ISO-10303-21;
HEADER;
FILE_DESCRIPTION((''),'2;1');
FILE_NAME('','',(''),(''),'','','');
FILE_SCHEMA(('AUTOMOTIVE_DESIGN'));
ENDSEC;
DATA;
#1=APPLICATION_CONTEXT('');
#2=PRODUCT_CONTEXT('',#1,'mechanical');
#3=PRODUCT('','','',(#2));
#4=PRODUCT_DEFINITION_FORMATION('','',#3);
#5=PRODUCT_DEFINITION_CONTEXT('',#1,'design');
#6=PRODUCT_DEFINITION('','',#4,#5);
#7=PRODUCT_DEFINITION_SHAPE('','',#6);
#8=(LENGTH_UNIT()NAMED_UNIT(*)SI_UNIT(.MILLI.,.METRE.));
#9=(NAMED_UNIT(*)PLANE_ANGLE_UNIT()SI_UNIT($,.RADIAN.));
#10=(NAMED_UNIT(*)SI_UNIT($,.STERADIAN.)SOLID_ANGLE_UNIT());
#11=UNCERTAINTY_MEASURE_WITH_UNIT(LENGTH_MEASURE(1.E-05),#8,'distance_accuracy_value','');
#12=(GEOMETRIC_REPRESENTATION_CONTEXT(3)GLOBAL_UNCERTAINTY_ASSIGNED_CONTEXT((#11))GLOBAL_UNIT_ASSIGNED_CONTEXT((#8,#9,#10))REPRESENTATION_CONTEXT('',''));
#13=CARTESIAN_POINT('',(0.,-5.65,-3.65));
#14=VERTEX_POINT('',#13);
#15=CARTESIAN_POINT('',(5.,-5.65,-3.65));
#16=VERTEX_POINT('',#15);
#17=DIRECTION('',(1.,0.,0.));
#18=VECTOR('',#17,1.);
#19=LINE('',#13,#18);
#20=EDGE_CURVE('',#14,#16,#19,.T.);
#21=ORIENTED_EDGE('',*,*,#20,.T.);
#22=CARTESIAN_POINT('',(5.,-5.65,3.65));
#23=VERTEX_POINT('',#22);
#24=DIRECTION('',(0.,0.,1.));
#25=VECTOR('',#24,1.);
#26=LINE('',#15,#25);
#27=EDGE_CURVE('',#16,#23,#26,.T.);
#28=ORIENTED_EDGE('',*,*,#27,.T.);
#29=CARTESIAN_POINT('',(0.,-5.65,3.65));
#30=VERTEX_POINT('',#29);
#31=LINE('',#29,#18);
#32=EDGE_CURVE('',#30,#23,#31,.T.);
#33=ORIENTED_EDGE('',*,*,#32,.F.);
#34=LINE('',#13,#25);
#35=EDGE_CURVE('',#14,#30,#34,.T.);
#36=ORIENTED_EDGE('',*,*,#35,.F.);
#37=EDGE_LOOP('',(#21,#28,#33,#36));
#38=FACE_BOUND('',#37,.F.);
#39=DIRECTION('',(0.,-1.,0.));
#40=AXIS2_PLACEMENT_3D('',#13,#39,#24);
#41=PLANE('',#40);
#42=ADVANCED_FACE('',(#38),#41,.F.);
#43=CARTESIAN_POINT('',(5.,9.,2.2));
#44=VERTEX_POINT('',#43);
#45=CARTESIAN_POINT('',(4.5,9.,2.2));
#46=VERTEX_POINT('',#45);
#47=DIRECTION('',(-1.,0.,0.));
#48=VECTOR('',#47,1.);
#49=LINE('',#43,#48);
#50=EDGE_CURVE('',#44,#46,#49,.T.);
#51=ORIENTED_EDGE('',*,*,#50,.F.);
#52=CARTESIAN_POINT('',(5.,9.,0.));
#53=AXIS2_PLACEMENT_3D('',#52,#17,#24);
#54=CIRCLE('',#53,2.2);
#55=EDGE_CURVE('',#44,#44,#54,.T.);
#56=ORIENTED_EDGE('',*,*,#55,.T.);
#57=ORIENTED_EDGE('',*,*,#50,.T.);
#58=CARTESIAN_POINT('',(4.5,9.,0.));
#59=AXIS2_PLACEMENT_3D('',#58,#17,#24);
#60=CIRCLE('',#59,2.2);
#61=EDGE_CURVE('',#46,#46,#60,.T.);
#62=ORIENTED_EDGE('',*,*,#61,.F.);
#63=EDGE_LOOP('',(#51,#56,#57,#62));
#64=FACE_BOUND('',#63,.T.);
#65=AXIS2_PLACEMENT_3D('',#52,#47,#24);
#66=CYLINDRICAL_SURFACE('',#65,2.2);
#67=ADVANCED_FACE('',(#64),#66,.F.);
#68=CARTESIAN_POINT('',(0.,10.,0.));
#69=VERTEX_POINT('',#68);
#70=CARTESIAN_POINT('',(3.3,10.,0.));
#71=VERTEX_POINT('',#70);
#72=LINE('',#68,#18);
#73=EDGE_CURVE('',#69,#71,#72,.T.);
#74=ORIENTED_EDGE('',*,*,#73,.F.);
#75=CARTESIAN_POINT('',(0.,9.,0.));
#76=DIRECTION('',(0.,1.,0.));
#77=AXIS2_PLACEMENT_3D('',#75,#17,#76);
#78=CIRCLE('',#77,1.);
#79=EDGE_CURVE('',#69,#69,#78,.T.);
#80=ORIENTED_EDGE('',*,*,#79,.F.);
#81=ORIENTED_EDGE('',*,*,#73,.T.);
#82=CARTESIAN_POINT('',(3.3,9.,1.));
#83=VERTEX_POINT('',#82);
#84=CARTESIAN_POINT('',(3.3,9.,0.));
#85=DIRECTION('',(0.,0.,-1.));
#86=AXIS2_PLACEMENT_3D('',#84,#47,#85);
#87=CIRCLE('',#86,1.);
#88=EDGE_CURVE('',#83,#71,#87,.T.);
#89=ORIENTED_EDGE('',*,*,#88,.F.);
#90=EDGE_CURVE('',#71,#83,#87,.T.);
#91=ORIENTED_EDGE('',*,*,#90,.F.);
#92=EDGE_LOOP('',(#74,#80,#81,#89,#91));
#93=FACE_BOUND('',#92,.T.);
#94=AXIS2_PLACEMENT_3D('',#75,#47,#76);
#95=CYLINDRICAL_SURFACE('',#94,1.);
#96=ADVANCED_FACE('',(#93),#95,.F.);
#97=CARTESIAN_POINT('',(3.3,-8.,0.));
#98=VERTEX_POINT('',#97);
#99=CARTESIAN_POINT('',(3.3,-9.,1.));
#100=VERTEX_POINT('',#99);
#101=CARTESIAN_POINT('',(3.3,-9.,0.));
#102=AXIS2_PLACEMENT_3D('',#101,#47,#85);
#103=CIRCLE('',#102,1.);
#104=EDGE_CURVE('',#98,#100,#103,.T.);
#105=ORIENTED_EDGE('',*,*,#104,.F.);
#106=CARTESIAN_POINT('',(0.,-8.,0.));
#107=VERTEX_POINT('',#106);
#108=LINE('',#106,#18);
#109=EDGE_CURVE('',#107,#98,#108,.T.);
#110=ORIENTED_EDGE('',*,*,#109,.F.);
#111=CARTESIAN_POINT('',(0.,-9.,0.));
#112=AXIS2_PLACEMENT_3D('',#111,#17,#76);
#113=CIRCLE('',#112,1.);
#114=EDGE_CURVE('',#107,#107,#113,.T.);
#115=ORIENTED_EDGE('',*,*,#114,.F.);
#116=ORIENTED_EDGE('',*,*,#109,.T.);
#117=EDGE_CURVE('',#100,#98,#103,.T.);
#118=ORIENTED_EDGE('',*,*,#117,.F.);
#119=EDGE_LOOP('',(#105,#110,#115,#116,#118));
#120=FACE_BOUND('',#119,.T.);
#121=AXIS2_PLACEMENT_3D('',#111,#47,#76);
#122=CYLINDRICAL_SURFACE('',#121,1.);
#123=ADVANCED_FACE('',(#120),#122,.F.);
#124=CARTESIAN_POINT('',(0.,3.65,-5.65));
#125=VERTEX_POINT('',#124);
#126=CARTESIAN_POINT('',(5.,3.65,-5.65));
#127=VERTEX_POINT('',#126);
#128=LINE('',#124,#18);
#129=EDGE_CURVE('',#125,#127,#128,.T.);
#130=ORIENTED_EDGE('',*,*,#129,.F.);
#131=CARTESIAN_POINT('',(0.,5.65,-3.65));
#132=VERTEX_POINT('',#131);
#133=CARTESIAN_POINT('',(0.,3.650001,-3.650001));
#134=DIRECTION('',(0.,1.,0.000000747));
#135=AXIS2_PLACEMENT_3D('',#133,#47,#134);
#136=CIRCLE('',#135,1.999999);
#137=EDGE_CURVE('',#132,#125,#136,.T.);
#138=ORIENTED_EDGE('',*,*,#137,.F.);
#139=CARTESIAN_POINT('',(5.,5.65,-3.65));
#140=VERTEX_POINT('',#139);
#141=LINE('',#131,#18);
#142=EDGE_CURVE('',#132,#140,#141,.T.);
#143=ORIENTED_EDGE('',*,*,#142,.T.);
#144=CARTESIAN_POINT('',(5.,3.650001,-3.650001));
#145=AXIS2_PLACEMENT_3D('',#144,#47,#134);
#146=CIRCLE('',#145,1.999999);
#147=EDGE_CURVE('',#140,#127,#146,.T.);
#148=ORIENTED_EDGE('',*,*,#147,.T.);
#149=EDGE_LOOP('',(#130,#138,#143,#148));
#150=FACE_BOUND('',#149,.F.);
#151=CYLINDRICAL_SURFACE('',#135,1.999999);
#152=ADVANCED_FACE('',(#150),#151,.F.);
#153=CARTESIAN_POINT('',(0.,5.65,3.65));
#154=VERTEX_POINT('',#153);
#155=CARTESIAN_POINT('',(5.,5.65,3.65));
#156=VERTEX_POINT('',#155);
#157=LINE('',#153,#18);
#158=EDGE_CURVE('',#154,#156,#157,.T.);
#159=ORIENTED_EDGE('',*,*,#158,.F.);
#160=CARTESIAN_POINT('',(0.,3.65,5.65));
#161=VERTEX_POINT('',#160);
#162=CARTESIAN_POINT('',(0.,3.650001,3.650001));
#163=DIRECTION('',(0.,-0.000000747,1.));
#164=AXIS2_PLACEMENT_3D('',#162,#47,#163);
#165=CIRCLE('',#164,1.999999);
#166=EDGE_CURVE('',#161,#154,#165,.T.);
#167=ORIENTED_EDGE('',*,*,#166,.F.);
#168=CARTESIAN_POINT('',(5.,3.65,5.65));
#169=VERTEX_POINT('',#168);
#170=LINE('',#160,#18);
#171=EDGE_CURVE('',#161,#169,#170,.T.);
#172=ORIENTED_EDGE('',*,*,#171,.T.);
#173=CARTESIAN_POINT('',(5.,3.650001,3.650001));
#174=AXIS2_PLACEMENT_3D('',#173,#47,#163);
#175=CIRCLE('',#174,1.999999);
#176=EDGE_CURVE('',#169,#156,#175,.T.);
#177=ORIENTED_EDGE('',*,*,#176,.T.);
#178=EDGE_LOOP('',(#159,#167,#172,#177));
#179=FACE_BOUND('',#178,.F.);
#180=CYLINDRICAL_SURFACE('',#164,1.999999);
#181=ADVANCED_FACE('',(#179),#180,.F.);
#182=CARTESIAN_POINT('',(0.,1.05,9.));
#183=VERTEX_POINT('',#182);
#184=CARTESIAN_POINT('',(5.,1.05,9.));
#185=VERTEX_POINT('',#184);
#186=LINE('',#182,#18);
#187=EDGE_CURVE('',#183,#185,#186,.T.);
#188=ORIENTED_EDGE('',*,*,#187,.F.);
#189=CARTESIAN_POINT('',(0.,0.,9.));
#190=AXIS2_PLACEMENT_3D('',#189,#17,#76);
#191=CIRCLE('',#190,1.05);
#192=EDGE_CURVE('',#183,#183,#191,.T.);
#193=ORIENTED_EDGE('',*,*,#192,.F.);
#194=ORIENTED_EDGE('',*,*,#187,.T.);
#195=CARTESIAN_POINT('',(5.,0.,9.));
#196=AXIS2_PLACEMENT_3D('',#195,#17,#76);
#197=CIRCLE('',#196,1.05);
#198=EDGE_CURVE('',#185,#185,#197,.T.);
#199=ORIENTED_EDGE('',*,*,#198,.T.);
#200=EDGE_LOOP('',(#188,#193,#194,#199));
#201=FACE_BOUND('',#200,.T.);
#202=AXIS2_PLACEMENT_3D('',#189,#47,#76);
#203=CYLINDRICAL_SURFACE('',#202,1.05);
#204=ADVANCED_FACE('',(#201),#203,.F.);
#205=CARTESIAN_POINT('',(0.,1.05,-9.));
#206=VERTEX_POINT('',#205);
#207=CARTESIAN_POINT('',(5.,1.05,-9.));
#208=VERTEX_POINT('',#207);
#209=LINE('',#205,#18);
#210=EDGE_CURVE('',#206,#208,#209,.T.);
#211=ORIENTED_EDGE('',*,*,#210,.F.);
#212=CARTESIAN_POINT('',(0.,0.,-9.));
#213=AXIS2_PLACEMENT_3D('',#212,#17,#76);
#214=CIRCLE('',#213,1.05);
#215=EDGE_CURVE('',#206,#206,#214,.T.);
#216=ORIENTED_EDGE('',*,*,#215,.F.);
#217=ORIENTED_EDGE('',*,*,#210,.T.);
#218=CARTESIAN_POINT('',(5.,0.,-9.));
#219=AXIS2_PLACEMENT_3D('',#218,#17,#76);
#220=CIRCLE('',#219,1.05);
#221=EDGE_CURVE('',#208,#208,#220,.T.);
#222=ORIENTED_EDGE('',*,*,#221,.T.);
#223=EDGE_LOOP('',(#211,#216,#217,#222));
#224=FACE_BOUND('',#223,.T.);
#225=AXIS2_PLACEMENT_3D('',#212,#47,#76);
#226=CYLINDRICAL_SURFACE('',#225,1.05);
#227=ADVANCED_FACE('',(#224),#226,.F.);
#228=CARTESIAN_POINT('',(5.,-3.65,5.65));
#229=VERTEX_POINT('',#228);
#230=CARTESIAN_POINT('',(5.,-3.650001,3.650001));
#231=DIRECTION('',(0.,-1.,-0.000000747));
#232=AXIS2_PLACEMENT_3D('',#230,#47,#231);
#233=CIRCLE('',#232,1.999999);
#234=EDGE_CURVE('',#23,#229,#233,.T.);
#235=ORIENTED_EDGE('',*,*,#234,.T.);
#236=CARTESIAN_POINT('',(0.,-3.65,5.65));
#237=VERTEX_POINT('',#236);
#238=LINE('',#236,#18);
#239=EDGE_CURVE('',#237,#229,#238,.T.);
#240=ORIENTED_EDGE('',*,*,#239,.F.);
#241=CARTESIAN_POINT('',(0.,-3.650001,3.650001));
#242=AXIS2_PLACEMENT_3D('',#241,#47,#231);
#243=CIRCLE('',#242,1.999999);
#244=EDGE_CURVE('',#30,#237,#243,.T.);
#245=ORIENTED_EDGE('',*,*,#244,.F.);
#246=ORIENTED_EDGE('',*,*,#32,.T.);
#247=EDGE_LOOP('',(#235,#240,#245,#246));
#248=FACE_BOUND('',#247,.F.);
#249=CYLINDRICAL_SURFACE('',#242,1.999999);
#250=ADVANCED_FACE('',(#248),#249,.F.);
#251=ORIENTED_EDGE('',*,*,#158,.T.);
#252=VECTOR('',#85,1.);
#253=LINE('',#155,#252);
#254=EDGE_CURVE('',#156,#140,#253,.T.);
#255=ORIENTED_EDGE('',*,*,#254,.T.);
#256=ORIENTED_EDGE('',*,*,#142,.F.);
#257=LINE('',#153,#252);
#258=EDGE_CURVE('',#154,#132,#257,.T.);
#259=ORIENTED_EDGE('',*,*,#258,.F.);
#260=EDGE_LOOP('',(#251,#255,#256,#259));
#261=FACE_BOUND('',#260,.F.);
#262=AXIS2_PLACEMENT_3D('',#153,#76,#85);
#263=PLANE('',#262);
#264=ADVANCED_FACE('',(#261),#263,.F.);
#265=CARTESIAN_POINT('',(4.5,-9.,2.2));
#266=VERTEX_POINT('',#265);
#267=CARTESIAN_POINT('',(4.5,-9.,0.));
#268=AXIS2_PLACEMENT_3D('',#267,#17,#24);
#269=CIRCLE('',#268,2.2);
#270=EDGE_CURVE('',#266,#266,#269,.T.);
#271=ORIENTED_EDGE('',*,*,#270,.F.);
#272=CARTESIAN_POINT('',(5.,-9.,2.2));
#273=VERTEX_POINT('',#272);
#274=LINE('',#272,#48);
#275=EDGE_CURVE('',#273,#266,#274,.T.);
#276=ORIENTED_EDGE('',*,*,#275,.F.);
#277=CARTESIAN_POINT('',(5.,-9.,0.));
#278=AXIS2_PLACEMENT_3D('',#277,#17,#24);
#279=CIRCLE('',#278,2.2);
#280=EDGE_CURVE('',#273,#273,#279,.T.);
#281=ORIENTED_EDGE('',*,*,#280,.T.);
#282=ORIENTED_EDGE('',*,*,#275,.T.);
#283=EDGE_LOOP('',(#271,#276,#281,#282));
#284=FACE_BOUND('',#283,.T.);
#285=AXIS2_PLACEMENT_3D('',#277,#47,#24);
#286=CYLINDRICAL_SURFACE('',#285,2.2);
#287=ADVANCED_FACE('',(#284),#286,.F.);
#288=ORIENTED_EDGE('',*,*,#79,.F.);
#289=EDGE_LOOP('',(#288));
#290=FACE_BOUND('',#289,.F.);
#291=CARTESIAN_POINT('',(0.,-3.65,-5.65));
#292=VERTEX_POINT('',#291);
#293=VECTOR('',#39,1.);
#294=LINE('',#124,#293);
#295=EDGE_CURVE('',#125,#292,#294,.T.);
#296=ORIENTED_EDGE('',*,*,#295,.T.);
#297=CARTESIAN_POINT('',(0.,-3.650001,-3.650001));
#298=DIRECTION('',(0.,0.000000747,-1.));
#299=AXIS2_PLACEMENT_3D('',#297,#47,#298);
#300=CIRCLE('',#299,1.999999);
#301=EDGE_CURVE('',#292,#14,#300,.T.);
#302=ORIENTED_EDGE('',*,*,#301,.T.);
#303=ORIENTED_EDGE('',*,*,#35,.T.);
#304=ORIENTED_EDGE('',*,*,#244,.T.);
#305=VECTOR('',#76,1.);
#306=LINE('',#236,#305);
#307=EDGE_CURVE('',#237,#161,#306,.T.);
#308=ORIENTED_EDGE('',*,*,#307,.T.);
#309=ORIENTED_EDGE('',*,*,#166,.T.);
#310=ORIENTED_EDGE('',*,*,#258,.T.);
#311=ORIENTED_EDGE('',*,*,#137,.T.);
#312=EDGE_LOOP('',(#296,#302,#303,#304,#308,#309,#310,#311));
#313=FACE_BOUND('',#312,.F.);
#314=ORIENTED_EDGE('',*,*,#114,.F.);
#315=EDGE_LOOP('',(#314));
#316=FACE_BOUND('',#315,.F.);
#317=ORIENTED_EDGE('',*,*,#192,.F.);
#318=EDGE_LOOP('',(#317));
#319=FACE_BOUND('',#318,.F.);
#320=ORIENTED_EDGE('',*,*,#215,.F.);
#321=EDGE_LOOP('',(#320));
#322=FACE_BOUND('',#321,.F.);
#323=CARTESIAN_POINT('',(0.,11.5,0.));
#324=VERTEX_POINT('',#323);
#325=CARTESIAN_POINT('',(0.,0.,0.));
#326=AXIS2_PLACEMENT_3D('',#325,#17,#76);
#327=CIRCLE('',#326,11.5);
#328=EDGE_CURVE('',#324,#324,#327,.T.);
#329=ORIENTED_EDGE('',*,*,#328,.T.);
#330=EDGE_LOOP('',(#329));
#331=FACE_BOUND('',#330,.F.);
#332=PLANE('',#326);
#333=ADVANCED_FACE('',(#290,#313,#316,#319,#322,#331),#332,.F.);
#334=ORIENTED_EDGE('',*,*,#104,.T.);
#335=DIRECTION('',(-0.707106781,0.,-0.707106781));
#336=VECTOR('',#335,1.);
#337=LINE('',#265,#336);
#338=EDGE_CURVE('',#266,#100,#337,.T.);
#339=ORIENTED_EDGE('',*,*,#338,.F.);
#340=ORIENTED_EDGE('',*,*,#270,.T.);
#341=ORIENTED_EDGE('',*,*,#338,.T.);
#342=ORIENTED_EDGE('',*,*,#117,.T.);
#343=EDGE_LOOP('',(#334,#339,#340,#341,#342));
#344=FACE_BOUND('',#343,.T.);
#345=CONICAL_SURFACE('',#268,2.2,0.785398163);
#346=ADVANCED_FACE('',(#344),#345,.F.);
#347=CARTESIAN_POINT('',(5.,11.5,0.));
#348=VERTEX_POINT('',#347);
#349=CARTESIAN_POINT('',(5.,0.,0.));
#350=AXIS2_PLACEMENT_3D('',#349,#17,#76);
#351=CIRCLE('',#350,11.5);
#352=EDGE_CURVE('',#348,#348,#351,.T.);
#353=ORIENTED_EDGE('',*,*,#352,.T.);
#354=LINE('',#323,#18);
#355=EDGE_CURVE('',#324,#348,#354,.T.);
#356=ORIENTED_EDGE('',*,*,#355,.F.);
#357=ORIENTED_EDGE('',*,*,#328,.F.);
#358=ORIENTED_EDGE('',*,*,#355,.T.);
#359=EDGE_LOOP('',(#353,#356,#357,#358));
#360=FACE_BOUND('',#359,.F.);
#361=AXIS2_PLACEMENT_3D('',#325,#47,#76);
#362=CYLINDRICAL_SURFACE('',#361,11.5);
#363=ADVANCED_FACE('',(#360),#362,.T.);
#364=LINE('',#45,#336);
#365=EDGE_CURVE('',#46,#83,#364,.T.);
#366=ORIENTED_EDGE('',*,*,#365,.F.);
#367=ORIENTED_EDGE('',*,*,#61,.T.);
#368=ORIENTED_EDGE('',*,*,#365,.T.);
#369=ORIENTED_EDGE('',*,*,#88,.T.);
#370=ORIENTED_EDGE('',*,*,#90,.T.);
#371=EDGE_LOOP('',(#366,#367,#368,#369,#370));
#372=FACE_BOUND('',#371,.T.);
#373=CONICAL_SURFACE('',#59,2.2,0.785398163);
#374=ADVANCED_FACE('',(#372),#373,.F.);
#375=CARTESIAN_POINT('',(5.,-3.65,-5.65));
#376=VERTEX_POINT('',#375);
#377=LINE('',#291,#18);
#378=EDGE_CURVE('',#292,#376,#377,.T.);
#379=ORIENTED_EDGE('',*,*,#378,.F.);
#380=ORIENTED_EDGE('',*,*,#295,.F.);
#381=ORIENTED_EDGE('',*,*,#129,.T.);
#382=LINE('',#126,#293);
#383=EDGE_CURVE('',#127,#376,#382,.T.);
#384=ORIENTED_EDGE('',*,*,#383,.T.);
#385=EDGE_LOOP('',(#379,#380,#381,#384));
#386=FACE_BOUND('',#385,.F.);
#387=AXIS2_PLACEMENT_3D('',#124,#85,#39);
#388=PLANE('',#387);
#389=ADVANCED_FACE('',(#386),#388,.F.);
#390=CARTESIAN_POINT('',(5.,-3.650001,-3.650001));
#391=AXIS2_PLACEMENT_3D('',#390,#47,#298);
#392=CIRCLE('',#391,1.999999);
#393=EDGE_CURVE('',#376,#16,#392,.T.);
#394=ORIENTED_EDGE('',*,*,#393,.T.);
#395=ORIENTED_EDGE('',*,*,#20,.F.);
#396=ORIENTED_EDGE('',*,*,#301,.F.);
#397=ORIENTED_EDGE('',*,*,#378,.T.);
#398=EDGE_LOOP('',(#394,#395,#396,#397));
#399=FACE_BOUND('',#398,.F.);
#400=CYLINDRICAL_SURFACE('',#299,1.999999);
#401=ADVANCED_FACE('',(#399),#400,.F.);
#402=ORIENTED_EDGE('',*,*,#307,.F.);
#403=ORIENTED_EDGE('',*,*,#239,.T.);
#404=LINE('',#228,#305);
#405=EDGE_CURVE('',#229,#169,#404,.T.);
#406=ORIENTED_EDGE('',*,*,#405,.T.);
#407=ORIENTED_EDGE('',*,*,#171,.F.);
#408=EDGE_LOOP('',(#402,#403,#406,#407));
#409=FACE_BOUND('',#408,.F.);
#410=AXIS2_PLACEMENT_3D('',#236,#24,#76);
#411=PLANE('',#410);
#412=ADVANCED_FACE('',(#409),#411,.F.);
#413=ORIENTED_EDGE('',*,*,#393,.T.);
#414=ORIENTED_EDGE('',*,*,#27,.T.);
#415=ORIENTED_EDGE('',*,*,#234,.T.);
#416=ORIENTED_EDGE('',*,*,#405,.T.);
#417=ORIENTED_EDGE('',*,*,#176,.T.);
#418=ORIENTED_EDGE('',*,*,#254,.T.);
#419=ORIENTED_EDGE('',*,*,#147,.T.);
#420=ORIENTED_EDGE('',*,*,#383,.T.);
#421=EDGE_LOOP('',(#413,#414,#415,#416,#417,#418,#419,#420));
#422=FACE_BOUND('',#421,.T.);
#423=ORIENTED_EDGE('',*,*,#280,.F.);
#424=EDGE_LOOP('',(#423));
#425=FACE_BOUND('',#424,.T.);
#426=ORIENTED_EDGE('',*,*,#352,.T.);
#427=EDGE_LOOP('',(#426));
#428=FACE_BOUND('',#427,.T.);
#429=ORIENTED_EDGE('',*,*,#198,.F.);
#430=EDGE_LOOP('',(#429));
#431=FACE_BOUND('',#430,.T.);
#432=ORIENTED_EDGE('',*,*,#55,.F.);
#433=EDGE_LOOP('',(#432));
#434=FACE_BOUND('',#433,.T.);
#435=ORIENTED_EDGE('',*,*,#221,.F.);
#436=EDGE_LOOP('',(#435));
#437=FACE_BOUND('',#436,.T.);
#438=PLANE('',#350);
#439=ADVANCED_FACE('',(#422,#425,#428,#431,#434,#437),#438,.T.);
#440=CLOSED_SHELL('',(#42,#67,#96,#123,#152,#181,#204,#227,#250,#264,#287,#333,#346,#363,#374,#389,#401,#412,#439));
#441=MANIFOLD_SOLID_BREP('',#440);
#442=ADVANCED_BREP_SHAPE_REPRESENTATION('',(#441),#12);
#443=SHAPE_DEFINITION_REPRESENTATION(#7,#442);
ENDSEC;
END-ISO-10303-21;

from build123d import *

# Parameters (mm, degrees)
F0_R     = 11.5
F0_R_2   = 1.05
F0_R_3   = 1
F1_DEPTH = 5


with BuildPart() as f1:
    # F0 (on Right) → F1 (new body)
    with BuildSketch(Plane.YZ):
        Circle(F0_R)
        with Locations((0, -9)):
            Circle(F0_R_2, mode=Mode.SUBTRACT)
        with Locations((-9, 0)):
            Circle(F0_R_3, mode=Mode.SUBTRACT)
        with BuildLine():
            ThreePointArc((-5.65, 3.65), (-5.064214, 5.064214), (-3.65, 5.65))
            Line((-3.65, 5.65), (3.65, 5.65))
            ThreePointArc((3.65, 5.65), (5.064214, 5.064214), (5.65, 3.65))
            Line((5.65, 3.65), (5.65, -3.65))
            ThreePointArc((5.65, -3.65), (5.064214, -5.064214), (3.65, -5.65))
            Line((3.65, -5.65), (-3.65, -5.65))
            ThreePointArc((-3.65, -5.65), (-5.064214, -5.064214), (-5.65, -3.65))
            Line((-5.65, -3.65), (-5.65, 3.65))
        make_face(mode=Mode.SUBTRACT)
        with Locations((9, 0)):
            Circle(F0_R_3, mode=Mode.SUBTRACT)
        with Locations((0, 9)):
            Circle(F0_R_2, mode=Mode.SUBTRACT)
    extrude(amount=F1_DEPTH)

    # F3 (on offset) → F5 (revolve, cut)
    with BuildSketch(Plane.XZ.offset(9)):
        Polygon((2.3, 0), (5, 0), (5, 2.2), (4.5, 2.2), align=None)
    revolve(axis=Axis((2.750115, -9, 0), (1, 0, 0)), mode=Mode.SUBTRACT)

    # F7 (on offset) → F8 (revolve, cut)
    with BuildSketch(Plane.XZ.offset(-9)):
        Polygon((4.5, 2.2), (2.3, 0), (5, 0), (5, 2.2), align=None)
    revolve(axis=Axis((3.65, 9, 0), (1, 0, 0)), mode=Mode.SUBTRACT)


solid = f1.part
